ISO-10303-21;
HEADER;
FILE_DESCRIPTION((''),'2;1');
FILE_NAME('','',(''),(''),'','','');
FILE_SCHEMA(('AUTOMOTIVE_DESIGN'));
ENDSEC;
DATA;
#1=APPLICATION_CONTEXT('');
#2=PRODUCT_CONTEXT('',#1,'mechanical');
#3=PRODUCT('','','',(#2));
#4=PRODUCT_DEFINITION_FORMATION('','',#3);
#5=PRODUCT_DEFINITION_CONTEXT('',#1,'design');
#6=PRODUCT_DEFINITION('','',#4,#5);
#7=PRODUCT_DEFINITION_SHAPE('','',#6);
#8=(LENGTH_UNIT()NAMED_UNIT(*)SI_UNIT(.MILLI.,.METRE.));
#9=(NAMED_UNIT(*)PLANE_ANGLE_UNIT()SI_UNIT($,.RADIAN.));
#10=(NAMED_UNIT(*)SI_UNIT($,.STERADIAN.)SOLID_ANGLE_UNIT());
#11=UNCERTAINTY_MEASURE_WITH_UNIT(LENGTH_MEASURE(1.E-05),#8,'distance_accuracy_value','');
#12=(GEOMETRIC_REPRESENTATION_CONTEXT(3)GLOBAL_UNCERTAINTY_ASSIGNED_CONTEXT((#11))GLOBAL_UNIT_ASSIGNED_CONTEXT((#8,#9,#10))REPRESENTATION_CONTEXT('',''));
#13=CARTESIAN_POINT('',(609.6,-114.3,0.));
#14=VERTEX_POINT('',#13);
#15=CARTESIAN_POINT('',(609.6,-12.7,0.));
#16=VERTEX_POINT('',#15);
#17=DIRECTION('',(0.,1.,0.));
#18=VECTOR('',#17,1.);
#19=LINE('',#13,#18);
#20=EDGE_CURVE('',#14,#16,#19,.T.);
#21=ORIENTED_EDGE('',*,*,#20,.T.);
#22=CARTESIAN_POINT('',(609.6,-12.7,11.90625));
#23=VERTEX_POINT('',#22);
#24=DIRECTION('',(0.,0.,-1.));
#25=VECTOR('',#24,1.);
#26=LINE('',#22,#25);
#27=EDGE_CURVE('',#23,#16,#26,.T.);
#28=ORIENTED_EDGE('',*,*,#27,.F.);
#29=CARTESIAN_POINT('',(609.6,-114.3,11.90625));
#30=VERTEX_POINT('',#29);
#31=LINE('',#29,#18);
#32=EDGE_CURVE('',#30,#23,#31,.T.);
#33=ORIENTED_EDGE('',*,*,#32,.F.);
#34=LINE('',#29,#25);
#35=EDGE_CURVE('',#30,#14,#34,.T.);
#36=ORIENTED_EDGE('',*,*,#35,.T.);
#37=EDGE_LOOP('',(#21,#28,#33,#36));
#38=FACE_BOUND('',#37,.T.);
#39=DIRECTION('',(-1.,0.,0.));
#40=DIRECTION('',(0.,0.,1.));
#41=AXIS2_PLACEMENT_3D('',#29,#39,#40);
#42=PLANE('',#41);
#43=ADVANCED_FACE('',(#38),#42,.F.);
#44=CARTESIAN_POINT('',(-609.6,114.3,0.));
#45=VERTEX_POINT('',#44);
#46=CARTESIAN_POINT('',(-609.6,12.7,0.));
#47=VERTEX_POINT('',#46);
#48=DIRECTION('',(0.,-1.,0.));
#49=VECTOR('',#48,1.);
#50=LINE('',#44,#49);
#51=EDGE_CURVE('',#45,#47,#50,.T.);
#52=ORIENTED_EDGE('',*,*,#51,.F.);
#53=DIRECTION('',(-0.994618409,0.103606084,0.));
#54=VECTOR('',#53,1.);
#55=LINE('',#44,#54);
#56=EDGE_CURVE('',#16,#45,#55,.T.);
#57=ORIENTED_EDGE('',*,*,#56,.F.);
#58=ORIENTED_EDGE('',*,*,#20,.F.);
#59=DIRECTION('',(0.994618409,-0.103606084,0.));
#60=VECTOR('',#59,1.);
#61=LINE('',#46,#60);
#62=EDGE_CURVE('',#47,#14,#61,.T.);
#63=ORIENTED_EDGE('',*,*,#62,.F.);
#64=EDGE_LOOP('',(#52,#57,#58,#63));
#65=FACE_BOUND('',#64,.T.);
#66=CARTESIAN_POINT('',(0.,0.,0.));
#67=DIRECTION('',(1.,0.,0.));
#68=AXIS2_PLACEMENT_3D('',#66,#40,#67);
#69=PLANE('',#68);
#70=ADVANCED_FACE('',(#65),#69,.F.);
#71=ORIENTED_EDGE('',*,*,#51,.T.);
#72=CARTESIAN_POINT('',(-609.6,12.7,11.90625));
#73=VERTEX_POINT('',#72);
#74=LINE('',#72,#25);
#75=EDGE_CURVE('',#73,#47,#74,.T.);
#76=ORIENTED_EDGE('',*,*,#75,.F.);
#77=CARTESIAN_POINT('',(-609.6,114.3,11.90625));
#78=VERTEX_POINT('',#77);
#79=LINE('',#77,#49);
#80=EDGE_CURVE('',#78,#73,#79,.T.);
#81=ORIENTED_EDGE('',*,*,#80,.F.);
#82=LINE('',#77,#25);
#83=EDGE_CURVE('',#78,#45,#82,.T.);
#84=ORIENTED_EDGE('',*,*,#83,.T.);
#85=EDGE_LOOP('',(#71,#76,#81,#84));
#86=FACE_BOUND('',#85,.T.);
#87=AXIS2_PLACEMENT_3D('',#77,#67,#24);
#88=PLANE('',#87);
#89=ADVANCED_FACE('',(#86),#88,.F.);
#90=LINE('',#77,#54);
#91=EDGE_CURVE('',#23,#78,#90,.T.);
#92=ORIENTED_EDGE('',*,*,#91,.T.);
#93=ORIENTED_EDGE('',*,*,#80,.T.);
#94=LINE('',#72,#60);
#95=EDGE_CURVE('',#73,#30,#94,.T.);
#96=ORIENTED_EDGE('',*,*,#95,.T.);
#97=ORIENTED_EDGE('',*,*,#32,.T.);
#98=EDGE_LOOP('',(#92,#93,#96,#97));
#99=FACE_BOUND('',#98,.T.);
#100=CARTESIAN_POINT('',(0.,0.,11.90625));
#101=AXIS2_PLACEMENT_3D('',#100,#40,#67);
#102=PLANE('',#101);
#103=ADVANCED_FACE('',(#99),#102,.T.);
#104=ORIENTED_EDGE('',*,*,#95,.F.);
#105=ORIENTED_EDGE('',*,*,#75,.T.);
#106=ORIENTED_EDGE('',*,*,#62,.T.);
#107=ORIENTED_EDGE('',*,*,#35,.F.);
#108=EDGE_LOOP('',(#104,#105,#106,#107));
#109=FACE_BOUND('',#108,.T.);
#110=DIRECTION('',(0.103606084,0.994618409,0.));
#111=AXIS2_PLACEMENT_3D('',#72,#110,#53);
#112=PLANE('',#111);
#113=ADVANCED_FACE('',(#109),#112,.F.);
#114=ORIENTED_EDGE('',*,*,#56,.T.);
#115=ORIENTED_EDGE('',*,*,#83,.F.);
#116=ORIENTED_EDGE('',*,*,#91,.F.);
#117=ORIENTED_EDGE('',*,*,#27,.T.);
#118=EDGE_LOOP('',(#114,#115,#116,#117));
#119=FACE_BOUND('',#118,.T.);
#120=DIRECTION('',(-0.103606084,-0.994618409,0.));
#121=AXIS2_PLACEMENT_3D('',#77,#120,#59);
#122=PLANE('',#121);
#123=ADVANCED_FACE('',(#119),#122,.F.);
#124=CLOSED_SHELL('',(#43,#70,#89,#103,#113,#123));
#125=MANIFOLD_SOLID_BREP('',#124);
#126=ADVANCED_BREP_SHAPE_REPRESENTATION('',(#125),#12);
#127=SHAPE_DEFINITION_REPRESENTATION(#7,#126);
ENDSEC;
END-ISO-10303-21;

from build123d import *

# Parameters (mm, degrees)
BOSS_EXTRUDE1_DEPTH = 11.90625


with BuildPart() as part:
    # Sketch1 → Boss-Extrude1 (new body)
    with BuildSketch(Plane.XY):
        Polygon((609.6, -114.3), (609.6, -12.7), (-609.6, 114.3), (-609.6, 12.7), align=None)
    extrude(amount=BOSS_EXTRUDE1_DEPTH)


solid = part.part
